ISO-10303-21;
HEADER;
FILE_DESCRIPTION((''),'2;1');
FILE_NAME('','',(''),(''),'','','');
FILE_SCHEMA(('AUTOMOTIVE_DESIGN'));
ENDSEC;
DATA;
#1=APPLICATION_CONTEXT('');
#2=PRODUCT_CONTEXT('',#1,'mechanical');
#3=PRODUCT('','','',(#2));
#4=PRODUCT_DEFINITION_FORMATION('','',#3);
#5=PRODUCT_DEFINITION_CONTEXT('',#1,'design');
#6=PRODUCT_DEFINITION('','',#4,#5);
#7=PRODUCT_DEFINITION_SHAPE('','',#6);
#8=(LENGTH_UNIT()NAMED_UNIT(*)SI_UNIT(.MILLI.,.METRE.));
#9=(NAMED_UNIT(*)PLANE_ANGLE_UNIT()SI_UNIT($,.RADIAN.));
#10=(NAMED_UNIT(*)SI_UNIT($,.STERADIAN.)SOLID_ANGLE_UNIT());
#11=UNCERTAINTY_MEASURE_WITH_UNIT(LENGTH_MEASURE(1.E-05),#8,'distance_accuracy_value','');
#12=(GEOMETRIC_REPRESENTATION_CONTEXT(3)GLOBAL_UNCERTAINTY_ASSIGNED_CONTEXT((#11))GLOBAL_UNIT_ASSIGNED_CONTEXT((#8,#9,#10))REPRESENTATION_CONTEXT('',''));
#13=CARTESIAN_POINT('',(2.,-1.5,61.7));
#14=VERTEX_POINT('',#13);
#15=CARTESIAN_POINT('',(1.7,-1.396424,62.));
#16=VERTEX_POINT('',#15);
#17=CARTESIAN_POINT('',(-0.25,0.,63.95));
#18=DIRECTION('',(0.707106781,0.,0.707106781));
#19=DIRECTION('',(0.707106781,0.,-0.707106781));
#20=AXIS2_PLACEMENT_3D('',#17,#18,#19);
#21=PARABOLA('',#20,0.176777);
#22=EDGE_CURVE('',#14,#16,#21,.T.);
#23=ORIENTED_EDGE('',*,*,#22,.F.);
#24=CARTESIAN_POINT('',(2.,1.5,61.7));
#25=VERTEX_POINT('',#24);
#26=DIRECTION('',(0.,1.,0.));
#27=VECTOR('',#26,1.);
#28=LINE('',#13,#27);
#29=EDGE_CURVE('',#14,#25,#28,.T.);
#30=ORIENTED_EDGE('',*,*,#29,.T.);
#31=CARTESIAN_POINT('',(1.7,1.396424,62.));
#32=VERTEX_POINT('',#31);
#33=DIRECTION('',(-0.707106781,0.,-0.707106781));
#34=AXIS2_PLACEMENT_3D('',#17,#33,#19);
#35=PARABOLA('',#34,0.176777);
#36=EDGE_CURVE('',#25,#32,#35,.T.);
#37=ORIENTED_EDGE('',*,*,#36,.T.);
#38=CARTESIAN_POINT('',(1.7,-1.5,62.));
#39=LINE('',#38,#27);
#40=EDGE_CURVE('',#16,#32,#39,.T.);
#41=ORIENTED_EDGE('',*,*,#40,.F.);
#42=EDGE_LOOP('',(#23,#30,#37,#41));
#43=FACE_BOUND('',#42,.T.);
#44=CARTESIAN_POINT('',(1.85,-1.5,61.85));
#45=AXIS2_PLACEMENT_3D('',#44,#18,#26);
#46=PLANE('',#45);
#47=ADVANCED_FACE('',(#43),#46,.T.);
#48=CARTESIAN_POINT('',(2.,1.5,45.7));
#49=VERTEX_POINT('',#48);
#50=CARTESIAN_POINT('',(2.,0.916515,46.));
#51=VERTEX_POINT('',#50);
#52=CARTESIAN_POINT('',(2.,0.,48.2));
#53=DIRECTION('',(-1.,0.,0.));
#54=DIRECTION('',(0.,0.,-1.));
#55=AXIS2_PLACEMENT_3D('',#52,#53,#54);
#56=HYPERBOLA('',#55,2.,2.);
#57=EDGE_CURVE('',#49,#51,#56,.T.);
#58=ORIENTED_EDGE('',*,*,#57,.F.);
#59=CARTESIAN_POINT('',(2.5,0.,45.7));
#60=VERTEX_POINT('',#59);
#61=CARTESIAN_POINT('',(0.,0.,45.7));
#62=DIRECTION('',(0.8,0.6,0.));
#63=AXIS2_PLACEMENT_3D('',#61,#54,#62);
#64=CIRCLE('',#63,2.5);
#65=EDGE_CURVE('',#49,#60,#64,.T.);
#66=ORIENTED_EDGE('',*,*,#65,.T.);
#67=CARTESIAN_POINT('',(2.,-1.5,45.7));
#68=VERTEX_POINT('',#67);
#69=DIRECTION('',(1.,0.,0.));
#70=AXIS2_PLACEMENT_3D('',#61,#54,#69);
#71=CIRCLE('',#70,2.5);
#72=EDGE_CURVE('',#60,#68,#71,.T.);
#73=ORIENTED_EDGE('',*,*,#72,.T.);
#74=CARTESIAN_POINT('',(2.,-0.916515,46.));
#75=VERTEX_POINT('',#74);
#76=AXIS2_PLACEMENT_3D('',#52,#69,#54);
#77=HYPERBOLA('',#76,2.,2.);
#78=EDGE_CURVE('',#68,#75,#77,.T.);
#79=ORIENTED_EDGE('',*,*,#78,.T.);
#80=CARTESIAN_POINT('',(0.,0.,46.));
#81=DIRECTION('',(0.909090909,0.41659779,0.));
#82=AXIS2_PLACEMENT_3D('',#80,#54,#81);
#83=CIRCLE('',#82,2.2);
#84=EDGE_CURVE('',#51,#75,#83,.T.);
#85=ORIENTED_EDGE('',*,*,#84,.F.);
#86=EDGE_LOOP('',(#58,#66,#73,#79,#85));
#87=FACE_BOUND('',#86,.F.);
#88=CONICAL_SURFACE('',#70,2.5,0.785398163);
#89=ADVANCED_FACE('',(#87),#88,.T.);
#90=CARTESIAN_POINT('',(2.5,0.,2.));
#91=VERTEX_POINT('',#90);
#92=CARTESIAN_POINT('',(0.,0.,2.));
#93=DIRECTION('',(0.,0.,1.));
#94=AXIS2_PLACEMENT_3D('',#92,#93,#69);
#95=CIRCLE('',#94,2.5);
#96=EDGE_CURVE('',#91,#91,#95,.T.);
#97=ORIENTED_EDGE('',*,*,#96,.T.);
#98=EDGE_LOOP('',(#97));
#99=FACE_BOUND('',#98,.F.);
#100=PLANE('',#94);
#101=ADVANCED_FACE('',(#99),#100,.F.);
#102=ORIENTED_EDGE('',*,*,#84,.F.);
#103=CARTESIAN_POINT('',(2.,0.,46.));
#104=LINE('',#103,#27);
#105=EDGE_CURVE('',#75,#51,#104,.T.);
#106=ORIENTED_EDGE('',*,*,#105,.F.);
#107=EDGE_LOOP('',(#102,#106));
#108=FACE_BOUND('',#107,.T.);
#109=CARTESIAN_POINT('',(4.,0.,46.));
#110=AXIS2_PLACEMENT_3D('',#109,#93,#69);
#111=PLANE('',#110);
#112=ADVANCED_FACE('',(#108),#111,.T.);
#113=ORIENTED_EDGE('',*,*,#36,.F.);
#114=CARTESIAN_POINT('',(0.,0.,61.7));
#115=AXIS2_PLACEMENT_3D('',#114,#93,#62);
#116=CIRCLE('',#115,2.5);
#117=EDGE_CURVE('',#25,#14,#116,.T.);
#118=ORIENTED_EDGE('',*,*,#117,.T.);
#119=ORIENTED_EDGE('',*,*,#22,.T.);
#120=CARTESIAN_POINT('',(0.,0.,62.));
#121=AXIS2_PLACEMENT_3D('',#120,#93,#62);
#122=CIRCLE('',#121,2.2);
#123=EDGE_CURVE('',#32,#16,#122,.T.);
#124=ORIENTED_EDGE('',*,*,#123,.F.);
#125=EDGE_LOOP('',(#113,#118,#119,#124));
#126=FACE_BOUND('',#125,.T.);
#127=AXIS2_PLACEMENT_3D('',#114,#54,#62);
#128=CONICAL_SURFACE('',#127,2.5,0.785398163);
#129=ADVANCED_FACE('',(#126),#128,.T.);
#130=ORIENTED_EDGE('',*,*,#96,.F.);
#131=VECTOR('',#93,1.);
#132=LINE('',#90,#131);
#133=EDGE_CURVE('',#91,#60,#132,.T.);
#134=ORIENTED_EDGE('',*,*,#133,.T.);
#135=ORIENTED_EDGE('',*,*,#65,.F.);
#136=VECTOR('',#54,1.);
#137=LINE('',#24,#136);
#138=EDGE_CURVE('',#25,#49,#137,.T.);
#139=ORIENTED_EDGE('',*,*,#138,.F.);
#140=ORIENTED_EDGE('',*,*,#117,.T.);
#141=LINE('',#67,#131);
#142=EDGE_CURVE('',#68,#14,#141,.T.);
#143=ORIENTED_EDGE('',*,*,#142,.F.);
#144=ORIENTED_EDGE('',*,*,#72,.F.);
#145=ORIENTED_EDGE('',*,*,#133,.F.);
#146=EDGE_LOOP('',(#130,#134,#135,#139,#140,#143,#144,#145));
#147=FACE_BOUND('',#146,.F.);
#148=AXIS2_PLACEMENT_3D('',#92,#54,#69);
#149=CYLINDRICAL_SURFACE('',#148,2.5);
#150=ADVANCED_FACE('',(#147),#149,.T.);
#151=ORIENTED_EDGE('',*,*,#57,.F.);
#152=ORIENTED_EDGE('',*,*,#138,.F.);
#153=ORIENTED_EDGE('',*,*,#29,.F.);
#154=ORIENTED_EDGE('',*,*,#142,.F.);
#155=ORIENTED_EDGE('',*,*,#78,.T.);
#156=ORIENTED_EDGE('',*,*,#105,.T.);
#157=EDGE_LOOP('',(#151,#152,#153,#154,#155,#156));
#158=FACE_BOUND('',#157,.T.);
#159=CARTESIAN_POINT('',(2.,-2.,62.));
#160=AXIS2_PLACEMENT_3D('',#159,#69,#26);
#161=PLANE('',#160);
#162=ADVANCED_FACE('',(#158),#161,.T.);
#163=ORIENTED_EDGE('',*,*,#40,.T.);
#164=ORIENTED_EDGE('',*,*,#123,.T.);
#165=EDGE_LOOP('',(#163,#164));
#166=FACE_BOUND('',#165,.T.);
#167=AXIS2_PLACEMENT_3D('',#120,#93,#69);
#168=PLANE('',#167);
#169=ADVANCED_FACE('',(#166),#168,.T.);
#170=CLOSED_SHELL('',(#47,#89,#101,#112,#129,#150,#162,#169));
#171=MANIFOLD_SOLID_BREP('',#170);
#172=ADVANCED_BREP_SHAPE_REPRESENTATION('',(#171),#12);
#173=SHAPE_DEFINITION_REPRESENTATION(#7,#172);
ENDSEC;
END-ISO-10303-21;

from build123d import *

# Parameters (mm, degrees)
SKETCH070_R     = 2.5
PAD030_DEPTH    = 60
SKETCH066_W     = 4
SKETCH066_H     = 4
POCKET022_DEPTH = 16
CHAMFER016_SIZE = 0.3


with BuildPart() as part:
    # Sketch070 → Pad030 (new body)
    with BuildSketch(Plane.XY):
        Circle(SKETCH070_R)
    extrude(amount=PAD030_DEPTH)

    # Sketch066 (on Face3 of Pad030) → Pocket022 (cut)
    with BuildSketch(Plane.XY.offset(60)):
        with Locations((4, 0)):
            Rectangle(SKETCH066_W, SKETCH066_H)
    extrude(amount=-POCKET022_DEPTH, mode=Mode.SUBTRACT)

    # Chamfer016
    chamfer016_edges = [part.edges().sort_by_distance(p)[0] for p in [
        (2.371708, -0.790569, 44),
        (-2.5, 0, 60),
        (2, 0, 60),
    ]]
    chamfer(chamfer016_edges, length=CHAMFER016_SIZE)


with BuildPart() as part_1:
    # Body019 placement: moved
    add(part.part.moved(Location((0, 0, 2))))


solid = part_1.part
